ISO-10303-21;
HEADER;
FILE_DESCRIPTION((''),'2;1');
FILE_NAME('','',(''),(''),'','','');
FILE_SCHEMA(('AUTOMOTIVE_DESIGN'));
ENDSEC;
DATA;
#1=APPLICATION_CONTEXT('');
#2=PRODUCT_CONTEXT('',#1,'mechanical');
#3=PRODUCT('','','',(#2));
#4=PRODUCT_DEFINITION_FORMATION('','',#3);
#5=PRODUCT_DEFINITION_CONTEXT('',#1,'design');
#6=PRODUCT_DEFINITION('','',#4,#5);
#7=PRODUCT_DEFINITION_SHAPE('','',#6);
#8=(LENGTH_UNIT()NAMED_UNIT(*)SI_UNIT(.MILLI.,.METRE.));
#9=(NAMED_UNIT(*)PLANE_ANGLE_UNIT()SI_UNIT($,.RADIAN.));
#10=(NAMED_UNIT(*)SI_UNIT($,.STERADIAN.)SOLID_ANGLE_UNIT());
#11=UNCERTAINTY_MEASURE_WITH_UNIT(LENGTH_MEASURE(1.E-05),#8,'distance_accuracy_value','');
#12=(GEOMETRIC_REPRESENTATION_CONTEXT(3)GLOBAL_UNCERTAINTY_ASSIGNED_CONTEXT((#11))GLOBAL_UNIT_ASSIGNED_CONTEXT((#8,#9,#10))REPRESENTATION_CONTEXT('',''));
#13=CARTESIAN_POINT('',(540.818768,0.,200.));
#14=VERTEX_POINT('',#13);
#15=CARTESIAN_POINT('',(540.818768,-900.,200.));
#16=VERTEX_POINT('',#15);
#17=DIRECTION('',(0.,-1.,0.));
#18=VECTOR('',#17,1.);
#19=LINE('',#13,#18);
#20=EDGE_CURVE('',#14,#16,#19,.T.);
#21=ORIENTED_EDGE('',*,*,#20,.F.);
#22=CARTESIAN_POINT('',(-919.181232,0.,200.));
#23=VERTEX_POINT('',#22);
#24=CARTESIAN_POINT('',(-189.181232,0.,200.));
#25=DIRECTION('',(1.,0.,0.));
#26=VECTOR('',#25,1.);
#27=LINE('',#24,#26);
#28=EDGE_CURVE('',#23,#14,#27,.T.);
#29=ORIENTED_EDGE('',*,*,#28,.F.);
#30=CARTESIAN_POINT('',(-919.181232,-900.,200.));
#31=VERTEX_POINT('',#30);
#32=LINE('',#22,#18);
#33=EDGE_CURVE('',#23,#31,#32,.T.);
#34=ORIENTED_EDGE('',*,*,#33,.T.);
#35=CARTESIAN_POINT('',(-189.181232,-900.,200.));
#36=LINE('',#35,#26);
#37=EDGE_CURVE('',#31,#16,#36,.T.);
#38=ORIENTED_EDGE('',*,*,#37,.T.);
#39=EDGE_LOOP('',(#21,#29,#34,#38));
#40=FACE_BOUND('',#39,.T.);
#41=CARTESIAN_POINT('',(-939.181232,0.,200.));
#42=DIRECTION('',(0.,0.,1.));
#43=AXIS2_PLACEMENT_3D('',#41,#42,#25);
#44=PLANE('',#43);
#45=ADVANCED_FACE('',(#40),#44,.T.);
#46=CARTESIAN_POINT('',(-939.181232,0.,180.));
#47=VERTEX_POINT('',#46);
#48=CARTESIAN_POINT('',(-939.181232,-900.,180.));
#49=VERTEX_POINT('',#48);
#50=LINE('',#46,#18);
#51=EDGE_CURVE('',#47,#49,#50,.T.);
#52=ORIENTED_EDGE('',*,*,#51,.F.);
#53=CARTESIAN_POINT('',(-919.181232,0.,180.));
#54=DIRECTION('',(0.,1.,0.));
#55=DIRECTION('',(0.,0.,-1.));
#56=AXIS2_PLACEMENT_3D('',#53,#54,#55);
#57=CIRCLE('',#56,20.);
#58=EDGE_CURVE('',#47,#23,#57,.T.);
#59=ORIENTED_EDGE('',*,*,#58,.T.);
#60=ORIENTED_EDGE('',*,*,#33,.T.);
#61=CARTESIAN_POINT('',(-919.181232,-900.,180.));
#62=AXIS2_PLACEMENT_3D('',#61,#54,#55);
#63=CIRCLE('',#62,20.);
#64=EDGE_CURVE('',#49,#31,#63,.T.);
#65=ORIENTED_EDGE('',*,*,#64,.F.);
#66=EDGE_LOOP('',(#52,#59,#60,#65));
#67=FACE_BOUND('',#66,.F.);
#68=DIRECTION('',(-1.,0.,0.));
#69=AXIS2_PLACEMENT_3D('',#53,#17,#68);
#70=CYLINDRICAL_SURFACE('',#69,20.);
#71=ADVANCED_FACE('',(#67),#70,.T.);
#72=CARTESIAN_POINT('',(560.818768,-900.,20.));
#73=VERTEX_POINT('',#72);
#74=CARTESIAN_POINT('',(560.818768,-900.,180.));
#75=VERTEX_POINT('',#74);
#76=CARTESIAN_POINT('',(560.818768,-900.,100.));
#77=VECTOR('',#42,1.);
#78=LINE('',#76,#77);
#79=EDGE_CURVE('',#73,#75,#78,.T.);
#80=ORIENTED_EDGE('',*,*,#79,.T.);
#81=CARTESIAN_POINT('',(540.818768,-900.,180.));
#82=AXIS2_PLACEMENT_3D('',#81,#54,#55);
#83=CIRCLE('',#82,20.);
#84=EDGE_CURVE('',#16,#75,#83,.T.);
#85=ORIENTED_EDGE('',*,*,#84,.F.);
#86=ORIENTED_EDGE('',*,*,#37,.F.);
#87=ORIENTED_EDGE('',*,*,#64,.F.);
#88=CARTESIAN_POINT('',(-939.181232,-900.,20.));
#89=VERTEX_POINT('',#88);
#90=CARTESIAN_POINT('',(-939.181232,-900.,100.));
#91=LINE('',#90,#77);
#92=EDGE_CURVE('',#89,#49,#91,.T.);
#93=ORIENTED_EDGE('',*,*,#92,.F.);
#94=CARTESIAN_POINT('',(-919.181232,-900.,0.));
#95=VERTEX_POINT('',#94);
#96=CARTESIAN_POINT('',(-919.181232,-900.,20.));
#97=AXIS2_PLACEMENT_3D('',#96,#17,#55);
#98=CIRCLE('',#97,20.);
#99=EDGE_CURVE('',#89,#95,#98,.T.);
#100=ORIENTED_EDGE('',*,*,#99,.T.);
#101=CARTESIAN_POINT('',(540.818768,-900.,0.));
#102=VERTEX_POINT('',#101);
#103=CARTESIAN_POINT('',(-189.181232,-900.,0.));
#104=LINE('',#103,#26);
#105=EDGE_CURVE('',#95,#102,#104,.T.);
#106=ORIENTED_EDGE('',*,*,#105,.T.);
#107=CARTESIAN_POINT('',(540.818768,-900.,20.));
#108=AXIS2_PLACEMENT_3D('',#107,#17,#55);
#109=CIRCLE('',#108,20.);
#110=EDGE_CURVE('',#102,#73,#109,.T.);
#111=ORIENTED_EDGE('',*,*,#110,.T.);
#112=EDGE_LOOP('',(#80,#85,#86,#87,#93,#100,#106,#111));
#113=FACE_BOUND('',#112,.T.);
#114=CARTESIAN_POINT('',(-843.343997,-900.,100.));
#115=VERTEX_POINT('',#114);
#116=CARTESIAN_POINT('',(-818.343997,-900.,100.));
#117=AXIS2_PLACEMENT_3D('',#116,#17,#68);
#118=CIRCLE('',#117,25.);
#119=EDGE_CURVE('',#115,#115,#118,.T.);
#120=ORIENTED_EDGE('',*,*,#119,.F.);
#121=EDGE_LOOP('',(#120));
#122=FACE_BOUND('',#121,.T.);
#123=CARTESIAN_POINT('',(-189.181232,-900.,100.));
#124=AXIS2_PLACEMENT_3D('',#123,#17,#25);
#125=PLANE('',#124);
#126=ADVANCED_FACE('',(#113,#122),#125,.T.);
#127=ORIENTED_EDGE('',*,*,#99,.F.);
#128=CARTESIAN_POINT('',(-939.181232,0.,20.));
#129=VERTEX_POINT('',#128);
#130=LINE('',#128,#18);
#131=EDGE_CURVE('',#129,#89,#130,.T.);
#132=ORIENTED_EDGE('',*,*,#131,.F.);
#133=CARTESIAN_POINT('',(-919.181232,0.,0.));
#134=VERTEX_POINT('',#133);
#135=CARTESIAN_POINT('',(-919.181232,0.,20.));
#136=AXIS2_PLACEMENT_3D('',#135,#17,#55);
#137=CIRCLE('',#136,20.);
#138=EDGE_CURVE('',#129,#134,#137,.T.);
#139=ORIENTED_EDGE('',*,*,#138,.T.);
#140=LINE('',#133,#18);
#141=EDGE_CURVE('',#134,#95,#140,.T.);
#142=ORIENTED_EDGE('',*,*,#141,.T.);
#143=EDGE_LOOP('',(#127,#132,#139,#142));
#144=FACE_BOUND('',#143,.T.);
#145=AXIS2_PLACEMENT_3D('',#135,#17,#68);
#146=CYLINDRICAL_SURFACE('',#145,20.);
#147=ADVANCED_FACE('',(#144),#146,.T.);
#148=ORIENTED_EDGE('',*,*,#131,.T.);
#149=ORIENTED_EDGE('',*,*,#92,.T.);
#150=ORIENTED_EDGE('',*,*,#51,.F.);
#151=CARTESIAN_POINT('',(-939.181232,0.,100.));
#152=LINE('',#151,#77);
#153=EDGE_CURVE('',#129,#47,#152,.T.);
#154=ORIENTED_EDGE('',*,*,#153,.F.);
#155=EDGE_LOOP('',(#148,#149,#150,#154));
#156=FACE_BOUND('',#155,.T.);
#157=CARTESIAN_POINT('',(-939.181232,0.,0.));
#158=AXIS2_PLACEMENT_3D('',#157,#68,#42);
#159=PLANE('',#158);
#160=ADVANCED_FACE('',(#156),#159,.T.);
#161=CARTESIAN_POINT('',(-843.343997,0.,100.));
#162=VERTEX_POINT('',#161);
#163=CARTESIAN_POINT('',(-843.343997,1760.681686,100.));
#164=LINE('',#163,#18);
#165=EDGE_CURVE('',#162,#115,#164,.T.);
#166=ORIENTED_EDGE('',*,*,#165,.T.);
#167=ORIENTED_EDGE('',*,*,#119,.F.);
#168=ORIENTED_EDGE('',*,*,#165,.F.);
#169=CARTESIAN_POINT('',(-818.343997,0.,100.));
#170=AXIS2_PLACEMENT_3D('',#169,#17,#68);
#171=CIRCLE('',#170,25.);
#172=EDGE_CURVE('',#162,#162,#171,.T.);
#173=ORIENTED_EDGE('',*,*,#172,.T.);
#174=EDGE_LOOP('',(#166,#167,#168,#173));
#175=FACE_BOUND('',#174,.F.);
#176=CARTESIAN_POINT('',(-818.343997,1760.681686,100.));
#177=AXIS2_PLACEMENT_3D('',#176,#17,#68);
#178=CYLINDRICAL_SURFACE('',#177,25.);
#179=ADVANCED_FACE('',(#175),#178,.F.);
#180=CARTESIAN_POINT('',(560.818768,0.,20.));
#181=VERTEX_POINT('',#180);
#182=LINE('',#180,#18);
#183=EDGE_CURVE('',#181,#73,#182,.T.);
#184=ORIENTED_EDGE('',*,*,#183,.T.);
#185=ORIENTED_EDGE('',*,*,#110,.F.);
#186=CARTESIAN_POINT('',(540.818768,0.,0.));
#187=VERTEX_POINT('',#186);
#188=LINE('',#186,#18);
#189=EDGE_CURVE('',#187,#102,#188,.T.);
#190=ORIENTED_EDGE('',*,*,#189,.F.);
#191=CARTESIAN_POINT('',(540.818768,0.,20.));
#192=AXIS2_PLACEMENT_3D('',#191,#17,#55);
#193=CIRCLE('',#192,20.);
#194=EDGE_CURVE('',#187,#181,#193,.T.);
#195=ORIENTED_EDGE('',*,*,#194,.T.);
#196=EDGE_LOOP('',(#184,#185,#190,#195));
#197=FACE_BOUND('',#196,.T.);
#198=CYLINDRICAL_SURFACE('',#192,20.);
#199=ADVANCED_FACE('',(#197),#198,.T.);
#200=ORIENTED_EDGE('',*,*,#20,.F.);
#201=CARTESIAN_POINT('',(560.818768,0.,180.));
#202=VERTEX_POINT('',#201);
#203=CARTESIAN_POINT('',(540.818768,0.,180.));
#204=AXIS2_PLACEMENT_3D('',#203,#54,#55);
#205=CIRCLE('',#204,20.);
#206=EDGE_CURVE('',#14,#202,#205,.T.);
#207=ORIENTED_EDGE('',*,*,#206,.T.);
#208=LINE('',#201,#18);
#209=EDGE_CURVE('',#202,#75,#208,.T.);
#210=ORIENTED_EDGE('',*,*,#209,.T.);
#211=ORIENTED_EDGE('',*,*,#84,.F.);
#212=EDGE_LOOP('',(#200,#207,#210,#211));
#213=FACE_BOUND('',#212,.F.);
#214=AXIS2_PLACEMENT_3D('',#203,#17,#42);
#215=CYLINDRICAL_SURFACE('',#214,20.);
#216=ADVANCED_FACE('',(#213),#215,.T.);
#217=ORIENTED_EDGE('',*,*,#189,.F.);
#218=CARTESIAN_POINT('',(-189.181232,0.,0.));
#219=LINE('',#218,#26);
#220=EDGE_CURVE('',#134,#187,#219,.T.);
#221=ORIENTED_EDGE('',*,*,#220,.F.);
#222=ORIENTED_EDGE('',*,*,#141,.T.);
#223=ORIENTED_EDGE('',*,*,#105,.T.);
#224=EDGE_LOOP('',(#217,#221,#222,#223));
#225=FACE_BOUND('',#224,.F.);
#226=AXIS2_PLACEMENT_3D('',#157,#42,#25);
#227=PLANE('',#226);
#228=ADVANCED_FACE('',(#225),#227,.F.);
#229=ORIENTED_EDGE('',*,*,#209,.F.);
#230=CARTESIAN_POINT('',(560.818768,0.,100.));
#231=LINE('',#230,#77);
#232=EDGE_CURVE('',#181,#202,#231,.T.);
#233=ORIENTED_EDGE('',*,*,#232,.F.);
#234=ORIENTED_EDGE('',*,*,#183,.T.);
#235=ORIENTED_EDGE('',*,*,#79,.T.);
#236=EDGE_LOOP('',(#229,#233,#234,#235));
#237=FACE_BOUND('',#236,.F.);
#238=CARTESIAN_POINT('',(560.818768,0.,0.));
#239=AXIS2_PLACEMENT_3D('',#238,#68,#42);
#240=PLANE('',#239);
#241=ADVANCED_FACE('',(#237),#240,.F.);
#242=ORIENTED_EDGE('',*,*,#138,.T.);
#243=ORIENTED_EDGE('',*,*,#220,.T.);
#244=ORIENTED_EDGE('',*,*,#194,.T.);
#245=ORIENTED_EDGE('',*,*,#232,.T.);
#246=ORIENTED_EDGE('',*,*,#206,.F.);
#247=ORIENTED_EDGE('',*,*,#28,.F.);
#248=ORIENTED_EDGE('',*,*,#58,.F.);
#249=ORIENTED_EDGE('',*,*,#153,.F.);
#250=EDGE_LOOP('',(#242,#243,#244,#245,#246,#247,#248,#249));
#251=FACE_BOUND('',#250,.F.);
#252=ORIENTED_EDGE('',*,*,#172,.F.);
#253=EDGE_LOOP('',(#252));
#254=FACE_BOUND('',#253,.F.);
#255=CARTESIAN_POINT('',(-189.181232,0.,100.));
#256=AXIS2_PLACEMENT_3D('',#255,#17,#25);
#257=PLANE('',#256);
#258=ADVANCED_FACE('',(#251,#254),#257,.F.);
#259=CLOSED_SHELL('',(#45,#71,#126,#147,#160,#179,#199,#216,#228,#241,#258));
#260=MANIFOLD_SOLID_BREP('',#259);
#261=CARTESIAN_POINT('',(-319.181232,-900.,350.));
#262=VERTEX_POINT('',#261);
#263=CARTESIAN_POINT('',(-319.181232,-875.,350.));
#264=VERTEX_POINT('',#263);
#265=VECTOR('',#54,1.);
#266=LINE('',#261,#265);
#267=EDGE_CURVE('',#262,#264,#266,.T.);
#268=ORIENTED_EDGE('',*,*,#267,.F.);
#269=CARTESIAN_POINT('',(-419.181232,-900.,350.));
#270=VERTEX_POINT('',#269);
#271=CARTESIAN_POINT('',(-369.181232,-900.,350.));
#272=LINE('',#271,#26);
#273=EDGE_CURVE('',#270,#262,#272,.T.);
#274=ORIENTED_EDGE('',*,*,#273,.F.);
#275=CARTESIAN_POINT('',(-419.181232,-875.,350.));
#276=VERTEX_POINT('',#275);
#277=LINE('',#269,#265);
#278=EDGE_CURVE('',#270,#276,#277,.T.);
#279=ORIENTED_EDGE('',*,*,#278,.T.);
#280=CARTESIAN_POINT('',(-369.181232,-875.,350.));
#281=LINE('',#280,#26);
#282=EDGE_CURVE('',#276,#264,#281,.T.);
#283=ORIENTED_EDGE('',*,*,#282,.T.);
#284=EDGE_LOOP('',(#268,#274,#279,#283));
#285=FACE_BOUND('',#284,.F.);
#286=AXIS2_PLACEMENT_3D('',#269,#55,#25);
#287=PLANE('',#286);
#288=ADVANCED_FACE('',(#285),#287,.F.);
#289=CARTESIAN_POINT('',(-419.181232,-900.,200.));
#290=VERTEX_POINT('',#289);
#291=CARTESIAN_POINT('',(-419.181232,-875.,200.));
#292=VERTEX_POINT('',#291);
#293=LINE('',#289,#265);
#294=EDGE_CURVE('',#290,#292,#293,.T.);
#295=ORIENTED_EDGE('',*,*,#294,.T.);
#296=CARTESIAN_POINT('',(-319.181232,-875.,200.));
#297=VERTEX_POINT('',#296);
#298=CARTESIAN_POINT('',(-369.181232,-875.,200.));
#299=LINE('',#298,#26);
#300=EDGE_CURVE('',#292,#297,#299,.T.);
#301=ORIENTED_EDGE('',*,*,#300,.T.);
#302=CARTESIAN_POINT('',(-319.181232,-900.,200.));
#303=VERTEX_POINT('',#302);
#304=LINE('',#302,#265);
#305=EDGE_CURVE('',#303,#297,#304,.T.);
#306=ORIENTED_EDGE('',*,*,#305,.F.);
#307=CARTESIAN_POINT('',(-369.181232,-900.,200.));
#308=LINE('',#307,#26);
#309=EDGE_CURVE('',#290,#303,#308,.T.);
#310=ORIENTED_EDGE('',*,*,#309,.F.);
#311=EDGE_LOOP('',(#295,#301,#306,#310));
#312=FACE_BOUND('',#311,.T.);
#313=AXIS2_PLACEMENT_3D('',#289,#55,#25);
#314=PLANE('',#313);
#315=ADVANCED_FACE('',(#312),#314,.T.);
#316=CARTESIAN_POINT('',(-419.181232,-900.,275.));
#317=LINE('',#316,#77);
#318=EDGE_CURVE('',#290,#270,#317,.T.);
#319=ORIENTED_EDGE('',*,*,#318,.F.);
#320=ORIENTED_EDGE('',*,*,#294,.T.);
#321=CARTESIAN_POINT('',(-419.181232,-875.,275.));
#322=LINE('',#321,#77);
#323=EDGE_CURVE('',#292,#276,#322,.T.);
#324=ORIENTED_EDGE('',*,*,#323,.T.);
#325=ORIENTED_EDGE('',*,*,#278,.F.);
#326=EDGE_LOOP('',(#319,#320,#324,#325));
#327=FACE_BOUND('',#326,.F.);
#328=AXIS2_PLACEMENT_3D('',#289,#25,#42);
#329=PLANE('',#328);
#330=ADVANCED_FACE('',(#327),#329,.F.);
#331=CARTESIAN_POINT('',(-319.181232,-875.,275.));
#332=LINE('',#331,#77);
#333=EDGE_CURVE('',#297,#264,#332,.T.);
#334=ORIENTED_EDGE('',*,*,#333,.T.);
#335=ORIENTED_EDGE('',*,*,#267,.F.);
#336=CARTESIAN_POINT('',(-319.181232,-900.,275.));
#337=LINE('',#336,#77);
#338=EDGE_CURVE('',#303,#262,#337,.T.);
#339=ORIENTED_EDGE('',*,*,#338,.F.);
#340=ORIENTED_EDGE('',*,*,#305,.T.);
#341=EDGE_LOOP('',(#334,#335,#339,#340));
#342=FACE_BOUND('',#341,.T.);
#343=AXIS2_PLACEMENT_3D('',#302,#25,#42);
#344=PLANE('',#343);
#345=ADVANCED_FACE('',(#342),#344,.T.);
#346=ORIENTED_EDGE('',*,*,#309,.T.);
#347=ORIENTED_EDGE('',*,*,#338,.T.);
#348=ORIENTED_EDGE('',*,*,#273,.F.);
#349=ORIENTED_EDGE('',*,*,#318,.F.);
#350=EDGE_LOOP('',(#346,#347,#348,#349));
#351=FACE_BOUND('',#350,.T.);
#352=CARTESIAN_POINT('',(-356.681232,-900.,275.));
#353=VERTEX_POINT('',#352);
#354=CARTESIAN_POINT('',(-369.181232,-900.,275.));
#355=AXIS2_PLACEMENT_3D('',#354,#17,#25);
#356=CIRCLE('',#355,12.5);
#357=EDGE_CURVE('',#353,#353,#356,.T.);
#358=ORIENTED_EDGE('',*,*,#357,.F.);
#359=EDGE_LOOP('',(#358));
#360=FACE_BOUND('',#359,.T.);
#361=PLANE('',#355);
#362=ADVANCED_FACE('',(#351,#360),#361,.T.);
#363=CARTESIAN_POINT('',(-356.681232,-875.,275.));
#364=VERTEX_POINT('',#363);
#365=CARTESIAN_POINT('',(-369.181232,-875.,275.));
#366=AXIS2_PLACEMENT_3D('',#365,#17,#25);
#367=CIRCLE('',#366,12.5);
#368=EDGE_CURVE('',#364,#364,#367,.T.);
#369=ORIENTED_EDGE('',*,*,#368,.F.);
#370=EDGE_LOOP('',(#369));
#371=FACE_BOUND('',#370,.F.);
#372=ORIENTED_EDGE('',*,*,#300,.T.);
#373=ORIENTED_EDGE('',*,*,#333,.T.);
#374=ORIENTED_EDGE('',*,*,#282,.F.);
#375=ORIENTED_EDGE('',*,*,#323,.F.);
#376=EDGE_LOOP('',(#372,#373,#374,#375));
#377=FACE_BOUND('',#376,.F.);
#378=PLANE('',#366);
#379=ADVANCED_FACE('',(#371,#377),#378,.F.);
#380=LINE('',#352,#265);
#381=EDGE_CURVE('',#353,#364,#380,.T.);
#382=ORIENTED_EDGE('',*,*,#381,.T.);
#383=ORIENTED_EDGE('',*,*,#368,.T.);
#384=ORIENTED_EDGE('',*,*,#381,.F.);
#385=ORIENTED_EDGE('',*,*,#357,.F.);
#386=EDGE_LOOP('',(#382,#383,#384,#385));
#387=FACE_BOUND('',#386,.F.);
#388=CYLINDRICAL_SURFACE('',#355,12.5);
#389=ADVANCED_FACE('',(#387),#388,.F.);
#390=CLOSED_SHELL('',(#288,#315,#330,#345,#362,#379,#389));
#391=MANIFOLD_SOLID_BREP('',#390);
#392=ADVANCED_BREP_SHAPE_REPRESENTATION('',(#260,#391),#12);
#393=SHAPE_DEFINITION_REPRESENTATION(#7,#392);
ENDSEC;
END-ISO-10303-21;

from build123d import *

# Parameters (mm, degrees)
F0_W     = 1500
F0_H     = 200
F1_DEPTH = 900
F2_D     = 50
F3_R     = 20
F4_W     = 100
F4_H     = 150
F4_R     = 12.5
F5_DEPTH = 25


with BuildPart() as f1:
    # F0 (on Front) → F1 (new body)
    with BuildSketch(Plane.XZ):
        with Locations((-189.1812320633, 100)):
            Rectangle(F0_W, F0_H)
    extrude(amount=F1_DEPTH)

    # F2 (through all)
    with Locations(Plane(origin=(0, 0, 0), x_dir=(1, 0, 0), z_dir=(0, 1, 0))):
        with Locations((-818.3439970016, -100)):
            Hole(F2_D / 2)

    # F3
    f3_edges = [f1.edges().sort_by_distance(p)[0] for p in [
        (-939.181232, -450, 200),
        (-939.181232, -450, 0),
        (560.818768, -450, 200),
        (560.818768, -450, 0),
    ]]
    fillet(f3_edges, radius=F3_R)


with BuildPart() as f5:
    # F4 (on face) → F5 (new body)
    with BuildSketch(Plane.XZ.offset(900)):
        with Locations((-369.1812320633, 275)):
            Rectangle(F4_W, F4_H)
        with Locations((-369.1812320633, 275)):
            Circle(F4_R, mode=Mode.SUBTRACT)
    extrude(amount=-F5_DEPTH)


solid = Compound([f1.part, f5.part])
